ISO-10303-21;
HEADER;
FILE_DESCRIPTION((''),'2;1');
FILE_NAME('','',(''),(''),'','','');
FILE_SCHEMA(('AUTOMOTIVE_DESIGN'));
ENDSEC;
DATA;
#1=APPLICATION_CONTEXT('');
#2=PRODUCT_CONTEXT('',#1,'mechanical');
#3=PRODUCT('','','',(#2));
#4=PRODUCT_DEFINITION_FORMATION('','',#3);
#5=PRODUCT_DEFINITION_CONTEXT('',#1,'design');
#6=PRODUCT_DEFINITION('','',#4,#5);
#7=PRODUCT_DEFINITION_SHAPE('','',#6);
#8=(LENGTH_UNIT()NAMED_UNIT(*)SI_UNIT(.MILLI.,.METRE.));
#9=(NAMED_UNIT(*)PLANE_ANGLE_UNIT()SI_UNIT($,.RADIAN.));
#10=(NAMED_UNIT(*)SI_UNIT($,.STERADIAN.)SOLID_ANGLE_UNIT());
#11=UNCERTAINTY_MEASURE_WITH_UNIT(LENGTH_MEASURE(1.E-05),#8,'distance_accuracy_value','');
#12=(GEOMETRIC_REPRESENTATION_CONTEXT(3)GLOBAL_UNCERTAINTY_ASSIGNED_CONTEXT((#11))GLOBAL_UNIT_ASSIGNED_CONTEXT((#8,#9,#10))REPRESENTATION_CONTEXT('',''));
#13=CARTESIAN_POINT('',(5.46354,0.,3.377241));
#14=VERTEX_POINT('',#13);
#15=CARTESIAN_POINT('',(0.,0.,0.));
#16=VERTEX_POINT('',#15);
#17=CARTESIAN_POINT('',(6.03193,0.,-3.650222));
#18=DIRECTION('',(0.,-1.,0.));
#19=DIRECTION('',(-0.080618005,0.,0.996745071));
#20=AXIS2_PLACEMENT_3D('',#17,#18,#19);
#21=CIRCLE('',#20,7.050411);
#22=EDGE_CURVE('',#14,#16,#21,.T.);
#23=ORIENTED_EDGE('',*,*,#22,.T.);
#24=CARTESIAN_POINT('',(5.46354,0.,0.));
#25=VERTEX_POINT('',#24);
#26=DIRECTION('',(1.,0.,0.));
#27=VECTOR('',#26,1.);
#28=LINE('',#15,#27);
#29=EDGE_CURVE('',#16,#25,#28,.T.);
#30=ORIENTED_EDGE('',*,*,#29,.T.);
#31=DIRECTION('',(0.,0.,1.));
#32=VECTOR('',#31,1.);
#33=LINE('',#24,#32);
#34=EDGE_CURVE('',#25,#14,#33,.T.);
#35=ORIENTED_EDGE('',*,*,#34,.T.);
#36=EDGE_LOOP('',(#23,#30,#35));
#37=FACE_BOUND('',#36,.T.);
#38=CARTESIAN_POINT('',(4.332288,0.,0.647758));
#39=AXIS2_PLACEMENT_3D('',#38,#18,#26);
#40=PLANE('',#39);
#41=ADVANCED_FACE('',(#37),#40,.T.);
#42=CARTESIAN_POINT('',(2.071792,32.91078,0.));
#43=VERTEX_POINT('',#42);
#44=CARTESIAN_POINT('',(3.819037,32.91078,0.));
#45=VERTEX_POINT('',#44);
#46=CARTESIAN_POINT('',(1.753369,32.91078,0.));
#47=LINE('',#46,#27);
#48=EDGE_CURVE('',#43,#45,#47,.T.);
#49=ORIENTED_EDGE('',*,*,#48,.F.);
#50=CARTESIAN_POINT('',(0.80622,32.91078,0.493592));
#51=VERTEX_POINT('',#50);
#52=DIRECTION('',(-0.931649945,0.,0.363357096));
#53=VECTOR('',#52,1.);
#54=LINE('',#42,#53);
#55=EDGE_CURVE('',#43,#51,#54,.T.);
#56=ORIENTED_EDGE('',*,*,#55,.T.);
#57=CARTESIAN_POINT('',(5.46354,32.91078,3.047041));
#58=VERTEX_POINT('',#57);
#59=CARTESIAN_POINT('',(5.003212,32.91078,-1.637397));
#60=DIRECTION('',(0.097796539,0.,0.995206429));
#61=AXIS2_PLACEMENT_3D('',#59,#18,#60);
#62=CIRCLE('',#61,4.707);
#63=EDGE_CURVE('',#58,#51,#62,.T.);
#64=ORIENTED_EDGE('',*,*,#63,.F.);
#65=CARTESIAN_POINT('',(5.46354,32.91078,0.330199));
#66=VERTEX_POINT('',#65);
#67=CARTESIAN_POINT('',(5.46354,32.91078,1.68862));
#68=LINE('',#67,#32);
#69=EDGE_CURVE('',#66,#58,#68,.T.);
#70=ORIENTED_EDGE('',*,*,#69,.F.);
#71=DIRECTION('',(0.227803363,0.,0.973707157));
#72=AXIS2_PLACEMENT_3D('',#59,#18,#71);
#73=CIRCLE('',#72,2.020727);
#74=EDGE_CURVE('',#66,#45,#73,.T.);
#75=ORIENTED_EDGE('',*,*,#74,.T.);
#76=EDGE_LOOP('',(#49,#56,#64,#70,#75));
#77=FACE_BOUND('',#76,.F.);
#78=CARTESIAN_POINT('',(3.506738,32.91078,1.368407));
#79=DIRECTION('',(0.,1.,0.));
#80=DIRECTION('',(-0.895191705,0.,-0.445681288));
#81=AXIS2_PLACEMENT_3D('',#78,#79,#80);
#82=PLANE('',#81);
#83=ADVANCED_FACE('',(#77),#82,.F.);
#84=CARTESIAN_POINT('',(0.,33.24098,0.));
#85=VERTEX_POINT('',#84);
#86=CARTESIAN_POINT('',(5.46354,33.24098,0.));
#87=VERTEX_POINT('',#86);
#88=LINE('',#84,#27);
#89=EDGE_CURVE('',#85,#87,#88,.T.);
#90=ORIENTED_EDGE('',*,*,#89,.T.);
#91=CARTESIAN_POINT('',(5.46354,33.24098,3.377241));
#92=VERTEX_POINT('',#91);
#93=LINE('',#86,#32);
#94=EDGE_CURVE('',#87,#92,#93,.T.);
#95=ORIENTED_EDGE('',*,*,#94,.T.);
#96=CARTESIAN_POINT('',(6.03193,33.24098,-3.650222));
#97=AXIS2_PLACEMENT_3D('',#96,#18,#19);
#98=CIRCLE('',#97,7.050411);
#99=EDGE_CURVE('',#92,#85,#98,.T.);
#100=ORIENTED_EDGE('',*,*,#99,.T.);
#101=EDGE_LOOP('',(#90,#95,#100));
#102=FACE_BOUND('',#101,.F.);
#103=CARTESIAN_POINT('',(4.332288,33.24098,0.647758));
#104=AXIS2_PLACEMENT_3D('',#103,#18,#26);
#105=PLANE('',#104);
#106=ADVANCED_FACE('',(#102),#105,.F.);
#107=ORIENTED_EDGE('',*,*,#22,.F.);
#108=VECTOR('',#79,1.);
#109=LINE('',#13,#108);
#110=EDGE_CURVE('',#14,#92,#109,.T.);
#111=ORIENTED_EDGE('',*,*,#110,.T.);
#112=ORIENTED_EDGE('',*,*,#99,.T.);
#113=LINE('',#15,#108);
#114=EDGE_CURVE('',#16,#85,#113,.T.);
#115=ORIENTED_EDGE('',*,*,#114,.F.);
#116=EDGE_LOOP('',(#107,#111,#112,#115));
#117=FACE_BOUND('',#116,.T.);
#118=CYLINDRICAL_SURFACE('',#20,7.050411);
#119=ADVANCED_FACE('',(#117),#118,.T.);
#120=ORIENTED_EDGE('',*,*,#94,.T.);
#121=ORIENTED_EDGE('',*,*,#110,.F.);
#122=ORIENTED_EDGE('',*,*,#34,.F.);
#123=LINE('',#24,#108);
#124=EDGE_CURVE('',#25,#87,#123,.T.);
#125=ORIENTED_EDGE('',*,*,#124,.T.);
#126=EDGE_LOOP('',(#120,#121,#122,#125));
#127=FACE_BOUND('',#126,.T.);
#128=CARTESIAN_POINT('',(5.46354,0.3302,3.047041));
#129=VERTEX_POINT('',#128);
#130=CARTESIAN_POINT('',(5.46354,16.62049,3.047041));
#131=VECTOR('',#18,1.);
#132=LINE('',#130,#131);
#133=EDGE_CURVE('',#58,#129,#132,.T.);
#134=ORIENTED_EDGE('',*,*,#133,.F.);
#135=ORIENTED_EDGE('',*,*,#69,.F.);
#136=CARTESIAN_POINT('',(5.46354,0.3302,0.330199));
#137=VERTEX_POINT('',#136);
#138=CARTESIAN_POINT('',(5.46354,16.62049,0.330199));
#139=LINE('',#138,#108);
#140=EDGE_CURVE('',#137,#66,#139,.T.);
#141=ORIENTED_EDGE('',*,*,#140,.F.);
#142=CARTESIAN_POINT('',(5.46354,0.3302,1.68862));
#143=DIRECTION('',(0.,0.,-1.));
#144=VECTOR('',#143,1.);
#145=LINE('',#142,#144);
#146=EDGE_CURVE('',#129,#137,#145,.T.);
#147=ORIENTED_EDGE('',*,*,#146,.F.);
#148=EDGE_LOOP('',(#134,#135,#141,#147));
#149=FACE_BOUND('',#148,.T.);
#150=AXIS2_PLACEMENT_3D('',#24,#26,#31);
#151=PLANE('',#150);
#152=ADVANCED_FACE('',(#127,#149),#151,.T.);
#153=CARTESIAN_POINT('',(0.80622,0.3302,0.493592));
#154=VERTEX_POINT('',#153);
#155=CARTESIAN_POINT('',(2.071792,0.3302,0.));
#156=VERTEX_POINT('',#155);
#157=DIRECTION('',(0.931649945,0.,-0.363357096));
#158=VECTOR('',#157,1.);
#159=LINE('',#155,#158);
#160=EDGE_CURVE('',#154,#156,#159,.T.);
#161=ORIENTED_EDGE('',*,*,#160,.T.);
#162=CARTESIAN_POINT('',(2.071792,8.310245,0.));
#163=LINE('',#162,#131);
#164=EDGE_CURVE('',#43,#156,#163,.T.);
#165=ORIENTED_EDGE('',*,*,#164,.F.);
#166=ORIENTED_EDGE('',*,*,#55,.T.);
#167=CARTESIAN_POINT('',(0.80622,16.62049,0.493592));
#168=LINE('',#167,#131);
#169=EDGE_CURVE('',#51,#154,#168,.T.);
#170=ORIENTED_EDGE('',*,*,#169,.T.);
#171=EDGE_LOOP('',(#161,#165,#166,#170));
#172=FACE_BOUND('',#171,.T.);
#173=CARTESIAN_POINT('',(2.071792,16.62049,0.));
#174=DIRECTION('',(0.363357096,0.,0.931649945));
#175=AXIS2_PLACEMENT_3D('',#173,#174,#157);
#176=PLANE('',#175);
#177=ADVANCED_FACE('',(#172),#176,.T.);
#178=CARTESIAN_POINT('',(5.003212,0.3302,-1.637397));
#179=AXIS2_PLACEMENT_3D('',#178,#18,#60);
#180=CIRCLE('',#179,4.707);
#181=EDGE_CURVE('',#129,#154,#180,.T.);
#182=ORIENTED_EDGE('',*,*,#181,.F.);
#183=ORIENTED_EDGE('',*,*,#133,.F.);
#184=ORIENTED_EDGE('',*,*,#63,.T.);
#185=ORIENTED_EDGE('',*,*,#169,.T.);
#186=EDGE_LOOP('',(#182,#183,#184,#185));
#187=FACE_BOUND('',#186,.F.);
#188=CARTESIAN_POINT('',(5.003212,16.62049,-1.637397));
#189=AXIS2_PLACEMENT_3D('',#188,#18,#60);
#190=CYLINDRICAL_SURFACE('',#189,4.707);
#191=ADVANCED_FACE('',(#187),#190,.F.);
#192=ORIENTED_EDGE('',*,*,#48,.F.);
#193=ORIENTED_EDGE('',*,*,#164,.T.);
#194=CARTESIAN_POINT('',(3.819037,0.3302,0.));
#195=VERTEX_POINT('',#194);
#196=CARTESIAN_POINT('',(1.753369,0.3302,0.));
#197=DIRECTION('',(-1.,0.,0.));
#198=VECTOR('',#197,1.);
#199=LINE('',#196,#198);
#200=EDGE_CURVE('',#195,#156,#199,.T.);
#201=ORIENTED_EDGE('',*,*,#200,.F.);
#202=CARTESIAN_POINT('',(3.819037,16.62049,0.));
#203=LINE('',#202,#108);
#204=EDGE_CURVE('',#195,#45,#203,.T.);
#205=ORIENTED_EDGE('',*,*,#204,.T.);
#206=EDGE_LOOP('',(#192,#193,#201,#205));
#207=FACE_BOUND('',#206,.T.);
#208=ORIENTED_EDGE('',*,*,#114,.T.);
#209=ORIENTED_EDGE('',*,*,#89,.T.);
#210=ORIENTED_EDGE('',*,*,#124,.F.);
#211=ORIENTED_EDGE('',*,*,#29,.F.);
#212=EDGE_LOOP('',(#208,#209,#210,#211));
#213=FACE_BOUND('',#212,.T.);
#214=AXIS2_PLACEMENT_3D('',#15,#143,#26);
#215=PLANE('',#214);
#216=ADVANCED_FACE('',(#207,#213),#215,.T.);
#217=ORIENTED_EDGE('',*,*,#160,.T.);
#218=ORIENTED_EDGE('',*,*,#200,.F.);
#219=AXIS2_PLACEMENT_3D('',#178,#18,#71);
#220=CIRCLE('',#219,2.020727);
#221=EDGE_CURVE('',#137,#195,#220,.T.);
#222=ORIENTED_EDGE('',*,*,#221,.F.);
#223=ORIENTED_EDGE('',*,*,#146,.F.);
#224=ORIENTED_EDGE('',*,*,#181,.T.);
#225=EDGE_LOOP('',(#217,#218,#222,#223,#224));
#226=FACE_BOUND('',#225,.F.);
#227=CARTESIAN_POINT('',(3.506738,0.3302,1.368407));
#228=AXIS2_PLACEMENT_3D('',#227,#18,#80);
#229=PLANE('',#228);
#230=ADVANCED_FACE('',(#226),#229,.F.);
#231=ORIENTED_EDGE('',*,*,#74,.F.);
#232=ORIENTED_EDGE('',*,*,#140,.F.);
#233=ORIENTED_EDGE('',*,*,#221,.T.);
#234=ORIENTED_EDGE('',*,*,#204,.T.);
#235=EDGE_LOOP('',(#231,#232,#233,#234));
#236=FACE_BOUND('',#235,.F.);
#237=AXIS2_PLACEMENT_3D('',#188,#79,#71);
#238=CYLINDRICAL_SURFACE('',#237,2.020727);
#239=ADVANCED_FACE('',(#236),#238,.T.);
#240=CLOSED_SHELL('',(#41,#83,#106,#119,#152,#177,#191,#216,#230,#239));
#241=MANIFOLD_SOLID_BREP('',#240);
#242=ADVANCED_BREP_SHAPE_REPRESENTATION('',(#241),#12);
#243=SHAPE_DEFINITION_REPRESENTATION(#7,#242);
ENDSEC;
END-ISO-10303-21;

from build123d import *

# Parameters (mm, degrees)
F1_DEPTH = 33.24098
F2_W     = 32.58058
F2_H     = 2.716841


with BuildPart() as f1:
    # F0 (on Front) → F1 (new body)
    with BuildSketch(Plane.XZ):
        with BuildLine():
            ThreePointArc((5.46354, 1.68862), (3.856251, 1.234842), (2.73177, 0))
            Line((2.73177, 0), (5.46354, 0))
            Line((5.46354, 0), (5.46354, 1.68862))
        make_face()
        with BuildLine():
            ThreePointArc((5.46354, 3.377241), (2.324843, 2.346928), (0, 0))
            Line((0, 0), (2.73177, 0))
            ThreePointArc((2.73177, 0), (3.856251, 1.234842), (5.46354, 1.68862))
            Line((5.46354, 1.68862), (5.46354, 3.377241))
        make_face()
    extrude(amount=-F1_DEPTH)

    # F4: sweep along a path in F3
    with BuildLine(Plane.XZ) as f4_path:
        ThreePointArc((5.46354, 1.68862), (3.506738, 1.368407), (2.071792, 0))
    # F2 (on face) → F4 (sweep, cut)
    with BuildSketch(Plane.YZ.offset(5.46354)):
        with Locations((16.62049, 1.68862)):
            Rectangle(F2_W, F2_H)
    sweep(path=f4_path.line, mode=Mode.SUBTRACT)


solid = f1.part
